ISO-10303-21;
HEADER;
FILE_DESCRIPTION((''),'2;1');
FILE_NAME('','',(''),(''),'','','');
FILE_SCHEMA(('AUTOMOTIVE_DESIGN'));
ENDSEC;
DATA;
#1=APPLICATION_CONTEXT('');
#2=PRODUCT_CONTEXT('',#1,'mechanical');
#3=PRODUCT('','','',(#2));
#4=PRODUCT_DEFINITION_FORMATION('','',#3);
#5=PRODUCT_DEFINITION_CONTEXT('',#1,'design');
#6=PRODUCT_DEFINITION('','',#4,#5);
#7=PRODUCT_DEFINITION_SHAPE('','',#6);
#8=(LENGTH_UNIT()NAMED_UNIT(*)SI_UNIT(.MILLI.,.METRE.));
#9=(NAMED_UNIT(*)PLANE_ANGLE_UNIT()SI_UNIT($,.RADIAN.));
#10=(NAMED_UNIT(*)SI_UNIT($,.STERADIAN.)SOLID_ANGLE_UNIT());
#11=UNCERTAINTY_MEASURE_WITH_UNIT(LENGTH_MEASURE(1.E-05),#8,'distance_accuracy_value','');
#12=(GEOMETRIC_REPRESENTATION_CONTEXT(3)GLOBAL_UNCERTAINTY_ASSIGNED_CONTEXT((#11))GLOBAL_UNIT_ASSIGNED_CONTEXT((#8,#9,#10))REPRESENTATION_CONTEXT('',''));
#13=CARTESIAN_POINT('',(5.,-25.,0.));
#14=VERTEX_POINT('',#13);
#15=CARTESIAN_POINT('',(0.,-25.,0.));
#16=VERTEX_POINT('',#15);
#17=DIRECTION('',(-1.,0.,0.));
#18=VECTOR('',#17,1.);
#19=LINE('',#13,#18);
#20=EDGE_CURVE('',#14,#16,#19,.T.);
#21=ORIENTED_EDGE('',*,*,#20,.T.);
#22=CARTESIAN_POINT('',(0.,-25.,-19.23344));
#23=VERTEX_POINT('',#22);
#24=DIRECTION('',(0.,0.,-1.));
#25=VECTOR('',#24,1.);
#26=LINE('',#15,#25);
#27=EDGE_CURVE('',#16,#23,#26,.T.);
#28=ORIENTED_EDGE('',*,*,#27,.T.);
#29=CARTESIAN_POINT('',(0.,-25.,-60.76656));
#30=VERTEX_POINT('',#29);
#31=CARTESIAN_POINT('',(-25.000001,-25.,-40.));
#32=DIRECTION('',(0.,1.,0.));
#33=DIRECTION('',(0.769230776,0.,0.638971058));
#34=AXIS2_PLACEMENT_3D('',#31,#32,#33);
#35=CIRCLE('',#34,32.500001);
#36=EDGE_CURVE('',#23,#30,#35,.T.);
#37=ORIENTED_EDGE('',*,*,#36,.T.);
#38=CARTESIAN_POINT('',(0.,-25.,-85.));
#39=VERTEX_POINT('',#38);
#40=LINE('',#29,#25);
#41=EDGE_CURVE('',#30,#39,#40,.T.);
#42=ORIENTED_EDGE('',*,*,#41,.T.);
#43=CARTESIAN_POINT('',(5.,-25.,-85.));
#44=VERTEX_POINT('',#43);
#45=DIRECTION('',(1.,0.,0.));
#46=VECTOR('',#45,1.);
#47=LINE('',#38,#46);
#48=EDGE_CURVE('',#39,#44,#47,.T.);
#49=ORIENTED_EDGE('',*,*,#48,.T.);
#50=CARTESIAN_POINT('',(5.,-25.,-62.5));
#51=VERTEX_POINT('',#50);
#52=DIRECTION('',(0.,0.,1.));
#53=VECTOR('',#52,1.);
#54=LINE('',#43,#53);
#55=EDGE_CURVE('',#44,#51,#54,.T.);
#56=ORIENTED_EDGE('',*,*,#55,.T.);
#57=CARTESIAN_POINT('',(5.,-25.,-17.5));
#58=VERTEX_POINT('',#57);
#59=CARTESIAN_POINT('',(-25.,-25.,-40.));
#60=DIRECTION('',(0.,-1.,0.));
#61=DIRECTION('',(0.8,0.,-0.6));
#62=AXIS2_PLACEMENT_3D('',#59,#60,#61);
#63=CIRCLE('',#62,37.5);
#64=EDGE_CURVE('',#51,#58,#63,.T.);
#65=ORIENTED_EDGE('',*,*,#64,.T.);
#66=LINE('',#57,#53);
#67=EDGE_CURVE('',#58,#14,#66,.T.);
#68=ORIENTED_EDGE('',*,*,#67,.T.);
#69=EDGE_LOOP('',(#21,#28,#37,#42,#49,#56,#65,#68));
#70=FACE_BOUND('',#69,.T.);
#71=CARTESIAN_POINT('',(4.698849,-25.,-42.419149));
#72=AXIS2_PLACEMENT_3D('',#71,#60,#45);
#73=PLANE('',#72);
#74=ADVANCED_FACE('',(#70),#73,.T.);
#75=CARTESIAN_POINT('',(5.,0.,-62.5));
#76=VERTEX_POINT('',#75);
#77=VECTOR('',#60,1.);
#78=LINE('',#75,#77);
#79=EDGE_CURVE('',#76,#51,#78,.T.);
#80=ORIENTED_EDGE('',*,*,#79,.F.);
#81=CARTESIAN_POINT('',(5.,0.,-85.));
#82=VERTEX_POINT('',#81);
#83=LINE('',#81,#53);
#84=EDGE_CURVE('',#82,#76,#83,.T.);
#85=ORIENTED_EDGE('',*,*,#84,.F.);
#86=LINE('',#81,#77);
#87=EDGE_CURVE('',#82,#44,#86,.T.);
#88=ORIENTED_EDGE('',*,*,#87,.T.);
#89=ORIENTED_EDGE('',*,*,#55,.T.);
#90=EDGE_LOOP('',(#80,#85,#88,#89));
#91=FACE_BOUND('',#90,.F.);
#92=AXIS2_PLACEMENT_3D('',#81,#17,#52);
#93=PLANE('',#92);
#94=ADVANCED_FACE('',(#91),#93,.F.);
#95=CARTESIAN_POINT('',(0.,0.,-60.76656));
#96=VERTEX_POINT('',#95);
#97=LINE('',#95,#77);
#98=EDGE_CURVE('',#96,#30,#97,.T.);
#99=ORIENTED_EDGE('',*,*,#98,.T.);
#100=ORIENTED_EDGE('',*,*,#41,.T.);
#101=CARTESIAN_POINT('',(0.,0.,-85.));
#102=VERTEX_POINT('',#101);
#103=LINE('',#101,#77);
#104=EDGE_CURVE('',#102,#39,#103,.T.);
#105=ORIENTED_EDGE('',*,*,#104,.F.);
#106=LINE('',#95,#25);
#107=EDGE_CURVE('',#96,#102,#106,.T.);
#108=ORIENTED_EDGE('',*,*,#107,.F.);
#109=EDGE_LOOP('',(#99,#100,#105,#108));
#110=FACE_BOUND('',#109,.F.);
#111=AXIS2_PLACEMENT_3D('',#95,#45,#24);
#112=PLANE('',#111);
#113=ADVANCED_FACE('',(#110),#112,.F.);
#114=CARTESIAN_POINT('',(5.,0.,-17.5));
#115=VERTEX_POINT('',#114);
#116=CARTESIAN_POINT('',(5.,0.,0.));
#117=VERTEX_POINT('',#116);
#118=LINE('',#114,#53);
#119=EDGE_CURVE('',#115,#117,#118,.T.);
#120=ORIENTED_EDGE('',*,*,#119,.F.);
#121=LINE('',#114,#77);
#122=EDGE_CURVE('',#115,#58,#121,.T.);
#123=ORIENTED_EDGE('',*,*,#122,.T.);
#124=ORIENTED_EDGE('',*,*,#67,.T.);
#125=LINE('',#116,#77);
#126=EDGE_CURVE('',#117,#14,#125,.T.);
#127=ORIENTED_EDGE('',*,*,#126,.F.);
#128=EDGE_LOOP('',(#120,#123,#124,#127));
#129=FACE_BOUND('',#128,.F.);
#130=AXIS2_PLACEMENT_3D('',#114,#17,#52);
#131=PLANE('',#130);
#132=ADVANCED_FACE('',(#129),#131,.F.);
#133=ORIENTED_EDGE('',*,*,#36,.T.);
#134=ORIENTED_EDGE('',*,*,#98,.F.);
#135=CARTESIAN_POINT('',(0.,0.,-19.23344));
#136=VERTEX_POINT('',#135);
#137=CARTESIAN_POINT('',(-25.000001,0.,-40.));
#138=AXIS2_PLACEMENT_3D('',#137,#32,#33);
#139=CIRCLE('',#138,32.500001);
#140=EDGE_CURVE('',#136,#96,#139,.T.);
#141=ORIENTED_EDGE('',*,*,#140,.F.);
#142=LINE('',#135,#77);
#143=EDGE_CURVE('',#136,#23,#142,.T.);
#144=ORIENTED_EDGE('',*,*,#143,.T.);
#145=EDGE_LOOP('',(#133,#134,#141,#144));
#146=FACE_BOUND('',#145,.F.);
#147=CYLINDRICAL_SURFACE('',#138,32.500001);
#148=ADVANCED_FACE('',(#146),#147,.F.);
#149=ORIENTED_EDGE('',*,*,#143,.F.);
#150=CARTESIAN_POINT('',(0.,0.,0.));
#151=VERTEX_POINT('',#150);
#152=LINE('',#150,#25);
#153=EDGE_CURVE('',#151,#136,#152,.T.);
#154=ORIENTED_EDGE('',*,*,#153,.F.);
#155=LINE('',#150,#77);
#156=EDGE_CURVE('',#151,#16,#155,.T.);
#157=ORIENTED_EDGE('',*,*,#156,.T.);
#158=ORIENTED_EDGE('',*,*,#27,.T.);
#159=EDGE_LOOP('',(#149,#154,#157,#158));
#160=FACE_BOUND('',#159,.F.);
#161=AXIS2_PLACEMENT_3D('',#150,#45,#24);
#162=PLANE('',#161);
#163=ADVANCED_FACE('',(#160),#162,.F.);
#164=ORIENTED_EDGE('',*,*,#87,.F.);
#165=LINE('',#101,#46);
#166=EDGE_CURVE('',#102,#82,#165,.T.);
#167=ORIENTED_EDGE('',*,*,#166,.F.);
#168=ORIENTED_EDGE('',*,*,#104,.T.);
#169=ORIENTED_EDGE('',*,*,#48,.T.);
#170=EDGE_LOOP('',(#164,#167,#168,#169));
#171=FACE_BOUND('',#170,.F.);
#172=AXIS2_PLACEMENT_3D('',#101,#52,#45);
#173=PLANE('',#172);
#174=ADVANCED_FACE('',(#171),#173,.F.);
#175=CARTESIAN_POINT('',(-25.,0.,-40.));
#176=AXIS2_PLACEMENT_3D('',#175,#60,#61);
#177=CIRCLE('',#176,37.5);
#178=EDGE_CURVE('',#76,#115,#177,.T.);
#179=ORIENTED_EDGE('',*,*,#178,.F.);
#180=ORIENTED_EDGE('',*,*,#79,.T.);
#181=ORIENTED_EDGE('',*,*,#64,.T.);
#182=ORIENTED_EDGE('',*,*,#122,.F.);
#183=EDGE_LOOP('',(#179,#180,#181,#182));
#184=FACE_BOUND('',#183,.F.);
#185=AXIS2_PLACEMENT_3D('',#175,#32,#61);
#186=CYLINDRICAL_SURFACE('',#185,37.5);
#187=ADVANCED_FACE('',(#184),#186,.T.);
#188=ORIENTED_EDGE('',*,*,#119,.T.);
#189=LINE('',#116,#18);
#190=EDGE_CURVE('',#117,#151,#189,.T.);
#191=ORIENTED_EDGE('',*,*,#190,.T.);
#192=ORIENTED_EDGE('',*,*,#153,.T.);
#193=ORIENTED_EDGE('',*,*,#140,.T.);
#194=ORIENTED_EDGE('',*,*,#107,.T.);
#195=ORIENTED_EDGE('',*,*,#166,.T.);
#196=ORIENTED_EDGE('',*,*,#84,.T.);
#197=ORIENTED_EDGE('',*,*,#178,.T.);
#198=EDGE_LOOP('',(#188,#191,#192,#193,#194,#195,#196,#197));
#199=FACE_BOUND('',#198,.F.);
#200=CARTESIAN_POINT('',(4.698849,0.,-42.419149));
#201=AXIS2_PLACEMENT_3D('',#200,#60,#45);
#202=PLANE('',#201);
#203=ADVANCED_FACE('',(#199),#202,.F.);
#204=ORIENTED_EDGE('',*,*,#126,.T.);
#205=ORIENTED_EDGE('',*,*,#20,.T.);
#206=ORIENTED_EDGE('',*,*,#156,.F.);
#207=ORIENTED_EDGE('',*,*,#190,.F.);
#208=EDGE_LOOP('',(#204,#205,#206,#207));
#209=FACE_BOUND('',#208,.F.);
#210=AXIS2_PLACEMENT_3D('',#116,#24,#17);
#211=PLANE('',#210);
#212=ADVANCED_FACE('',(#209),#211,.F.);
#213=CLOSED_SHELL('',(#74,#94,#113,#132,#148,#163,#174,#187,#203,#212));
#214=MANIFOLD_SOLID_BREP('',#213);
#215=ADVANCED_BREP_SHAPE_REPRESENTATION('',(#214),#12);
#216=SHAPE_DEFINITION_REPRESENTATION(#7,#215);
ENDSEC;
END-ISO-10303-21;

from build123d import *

# Parameters (mm, degrees)
F1_DEPTH = 25


with BuildPart() as f1:
    # F0 (on Front) → F1 (new body)
    with BuildSketch(Plane.XZ):
        with BuildLine():
            Line((5, 0), (0, 0))
            Line((0, 0), (0, -19.23344))
            ThreePointArc((0, -19.23344), (7.5, -40), (0, -60.76656))
            Line((0, -60.76656), (0, -85))
            Line((0, -85), (5, -85))
            Line((5, -85), (5, -62.5))
            ThreePointArc((5, -62.5), (12.5, -40), (5, -17.5))
            Line((5, -17.5), (5, 0))
        make_face()
    extrude(amount=F1_DEPTH)


solid = f1.part
